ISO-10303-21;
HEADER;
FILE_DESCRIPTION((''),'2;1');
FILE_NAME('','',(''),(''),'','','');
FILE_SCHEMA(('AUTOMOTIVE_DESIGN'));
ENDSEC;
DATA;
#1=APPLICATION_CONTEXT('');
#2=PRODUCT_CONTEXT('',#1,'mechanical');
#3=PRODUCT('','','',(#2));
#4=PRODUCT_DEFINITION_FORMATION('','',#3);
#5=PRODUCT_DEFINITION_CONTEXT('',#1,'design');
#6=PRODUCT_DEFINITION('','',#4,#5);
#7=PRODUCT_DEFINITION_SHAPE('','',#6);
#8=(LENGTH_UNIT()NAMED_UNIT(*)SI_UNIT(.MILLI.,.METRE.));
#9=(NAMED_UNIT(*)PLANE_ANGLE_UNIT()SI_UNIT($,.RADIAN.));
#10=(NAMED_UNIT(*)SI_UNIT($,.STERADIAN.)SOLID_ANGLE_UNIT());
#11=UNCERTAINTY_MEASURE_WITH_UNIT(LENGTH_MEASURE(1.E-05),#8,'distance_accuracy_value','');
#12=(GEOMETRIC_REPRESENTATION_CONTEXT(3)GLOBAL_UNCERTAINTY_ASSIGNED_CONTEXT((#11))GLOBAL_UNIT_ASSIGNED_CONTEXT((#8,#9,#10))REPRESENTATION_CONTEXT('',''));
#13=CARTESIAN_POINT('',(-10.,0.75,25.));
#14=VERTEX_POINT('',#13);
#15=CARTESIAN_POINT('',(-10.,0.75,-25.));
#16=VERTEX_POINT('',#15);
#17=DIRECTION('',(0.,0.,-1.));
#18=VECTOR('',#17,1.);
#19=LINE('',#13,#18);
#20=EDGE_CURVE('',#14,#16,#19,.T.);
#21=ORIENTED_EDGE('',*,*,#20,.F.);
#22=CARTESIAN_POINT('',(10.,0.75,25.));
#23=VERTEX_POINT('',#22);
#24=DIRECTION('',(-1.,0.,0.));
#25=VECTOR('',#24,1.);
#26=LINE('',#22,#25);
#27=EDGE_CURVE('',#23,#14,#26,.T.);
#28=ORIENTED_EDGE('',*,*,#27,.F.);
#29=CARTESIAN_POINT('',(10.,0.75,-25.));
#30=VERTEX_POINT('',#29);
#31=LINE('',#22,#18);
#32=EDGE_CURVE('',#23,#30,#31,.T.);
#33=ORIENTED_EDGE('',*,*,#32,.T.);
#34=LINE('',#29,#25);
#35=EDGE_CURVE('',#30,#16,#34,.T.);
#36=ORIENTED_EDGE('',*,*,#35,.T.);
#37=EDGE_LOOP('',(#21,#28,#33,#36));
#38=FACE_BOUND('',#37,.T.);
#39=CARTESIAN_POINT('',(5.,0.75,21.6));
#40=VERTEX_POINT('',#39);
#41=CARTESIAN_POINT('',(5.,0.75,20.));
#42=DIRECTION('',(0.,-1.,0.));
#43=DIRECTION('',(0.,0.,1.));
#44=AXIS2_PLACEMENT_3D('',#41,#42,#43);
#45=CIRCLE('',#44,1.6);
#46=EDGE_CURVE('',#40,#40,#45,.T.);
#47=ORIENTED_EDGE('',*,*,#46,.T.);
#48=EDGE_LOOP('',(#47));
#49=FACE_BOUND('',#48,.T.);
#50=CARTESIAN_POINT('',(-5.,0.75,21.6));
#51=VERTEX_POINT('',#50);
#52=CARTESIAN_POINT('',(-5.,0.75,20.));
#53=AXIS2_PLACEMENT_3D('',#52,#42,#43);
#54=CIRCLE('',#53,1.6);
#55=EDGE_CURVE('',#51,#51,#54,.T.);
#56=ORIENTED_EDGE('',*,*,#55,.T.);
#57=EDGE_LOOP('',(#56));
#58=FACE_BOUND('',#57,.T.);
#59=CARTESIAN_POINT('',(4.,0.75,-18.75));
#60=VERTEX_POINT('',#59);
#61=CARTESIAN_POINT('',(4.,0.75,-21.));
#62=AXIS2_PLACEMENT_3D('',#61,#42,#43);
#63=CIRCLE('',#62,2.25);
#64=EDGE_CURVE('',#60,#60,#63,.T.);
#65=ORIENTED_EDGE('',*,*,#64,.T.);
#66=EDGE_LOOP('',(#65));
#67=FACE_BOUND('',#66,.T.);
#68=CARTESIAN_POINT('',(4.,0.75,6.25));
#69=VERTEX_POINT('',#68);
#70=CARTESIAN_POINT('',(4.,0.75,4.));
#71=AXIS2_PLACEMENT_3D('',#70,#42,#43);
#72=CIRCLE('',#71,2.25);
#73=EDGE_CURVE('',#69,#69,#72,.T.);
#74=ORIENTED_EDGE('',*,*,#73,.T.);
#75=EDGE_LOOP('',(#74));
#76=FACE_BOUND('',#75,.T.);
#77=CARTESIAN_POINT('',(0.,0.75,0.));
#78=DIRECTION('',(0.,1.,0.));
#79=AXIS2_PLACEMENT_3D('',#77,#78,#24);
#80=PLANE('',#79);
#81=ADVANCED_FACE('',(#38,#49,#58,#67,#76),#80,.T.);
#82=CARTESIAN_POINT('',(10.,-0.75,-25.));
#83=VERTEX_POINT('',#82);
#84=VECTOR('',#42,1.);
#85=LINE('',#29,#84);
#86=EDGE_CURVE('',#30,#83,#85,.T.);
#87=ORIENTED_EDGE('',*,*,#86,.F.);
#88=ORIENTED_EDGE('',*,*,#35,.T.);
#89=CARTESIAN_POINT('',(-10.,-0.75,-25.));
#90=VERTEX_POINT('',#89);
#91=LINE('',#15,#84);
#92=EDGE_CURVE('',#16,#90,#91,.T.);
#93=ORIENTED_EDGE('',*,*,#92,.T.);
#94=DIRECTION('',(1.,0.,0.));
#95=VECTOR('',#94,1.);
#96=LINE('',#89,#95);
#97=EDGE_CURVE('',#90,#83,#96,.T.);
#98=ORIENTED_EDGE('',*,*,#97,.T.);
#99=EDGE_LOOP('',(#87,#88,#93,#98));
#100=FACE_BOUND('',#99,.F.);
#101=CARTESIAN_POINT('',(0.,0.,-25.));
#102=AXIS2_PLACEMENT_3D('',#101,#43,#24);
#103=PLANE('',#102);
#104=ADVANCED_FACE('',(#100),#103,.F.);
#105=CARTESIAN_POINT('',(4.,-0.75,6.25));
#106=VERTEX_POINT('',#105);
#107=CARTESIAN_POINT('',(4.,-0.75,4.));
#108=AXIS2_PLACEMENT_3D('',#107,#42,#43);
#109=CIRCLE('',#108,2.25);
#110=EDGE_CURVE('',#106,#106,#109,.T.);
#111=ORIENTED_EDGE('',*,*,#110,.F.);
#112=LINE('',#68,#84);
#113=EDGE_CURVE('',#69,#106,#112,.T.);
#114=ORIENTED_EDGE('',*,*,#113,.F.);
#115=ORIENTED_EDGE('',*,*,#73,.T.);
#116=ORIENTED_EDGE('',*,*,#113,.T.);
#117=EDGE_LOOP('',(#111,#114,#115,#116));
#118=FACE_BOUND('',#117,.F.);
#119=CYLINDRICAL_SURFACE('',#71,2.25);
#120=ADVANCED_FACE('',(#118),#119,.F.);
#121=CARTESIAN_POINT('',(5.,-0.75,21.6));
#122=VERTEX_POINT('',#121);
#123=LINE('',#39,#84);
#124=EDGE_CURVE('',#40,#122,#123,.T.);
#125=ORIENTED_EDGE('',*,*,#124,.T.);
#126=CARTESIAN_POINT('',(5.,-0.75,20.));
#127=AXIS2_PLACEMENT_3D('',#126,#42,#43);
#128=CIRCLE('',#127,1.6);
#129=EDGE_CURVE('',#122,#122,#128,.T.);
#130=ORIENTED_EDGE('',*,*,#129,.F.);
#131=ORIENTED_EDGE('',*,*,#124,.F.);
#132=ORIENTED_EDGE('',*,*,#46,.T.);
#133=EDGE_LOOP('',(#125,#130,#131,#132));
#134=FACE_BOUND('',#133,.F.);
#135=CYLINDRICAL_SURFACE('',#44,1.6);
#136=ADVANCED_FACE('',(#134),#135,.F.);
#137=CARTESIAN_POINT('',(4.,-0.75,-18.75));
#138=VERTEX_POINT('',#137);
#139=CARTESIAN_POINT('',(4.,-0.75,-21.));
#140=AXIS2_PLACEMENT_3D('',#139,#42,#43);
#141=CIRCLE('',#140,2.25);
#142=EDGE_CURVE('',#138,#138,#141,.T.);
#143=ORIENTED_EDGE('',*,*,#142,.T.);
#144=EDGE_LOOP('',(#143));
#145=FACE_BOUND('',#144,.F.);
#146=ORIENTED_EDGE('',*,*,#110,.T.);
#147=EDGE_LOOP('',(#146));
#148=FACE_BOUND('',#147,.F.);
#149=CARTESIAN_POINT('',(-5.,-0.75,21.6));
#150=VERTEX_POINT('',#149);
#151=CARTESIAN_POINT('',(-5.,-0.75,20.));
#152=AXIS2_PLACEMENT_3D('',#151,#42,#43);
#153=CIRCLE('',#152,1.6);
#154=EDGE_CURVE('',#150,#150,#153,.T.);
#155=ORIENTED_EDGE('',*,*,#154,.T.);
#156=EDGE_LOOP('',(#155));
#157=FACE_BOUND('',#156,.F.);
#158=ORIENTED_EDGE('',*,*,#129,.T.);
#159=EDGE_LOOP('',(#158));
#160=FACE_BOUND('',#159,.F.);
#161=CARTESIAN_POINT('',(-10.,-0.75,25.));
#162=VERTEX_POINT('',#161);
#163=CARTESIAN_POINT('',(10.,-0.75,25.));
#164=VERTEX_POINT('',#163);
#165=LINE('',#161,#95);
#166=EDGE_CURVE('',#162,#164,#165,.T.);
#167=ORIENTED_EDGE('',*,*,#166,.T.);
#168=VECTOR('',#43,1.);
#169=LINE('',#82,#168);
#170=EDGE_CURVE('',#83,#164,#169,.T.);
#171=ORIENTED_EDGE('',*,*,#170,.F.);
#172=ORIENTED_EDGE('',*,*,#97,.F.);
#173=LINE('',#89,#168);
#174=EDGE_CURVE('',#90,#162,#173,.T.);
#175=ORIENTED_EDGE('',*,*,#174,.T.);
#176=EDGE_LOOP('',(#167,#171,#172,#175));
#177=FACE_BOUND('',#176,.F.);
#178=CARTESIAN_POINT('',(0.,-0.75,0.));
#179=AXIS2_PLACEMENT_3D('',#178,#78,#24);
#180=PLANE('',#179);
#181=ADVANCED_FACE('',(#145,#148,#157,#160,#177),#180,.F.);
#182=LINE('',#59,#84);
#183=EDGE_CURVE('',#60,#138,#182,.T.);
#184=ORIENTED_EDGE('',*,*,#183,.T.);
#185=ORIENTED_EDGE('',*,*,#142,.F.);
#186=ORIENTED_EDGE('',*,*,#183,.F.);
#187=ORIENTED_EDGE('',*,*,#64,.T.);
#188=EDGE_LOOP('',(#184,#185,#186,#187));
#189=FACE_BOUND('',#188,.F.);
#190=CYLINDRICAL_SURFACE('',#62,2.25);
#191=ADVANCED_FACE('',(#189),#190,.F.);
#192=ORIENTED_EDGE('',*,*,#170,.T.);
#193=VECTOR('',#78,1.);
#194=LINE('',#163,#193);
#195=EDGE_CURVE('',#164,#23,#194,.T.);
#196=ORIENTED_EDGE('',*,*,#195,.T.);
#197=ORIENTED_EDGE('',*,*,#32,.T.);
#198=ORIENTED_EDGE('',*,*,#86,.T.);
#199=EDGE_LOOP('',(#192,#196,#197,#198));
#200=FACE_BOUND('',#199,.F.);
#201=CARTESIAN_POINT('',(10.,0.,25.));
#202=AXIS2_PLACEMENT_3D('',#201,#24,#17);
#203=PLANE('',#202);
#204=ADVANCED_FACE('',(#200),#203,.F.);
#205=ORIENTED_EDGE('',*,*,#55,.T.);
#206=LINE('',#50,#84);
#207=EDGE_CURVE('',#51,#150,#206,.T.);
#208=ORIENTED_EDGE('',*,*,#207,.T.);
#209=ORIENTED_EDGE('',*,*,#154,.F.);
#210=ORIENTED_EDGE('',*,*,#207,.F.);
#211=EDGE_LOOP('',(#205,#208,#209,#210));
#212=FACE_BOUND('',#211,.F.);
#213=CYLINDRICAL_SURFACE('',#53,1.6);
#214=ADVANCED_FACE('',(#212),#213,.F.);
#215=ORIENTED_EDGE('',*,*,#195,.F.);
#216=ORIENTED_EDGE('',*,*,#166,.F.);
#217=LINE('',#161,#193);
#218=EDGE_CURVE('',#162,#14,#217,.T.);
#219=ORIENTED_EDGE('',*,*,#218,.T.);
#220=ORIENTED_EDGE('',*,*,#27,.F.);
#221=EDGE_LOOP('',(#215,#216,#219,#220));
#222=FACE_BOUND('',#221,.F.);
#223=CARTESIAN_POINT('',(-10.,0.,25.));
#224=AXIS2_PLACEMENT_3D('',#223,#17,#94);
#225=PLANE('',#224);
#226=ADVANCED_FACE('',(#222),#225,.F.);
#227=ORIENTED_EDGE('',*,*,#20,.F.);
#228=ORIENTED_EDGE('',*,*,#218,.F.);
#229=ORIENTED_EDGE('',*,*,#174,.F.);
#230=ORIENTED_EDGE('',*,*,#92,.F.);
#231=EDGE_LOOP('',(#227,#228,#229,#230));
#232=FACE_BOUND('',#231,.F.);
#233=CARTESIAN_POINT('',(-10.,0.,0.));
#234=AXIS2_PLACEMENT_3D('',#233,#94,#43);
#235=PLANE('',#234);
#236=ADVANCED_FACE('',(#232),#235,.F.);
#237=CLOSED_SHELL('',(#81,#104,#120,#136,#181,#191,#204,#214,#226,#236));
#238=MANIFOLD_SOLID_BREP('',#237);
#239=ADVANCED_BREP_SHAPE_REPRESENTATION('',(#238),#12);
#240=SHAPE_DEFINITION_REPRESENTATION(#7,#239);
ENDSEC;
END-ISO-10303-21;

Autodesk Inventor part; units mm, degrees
ref_plane "YZ Plane" through (0, 0, 0) normal (1, 0, 0) x (0, 1, 0)
ref_plane "XZ Plane" through (0, 0, 0) normal (0, 1, 0) x (-1, 0, 0)
ref_plane "XY Plane" through (0, 0, 0) normal (0, 0, 1) x (1, 0, 0)
sketch "Náčrt1" plane through (0, 0, 0) normal (0, 1, 0) x (-1, 0, 0)
  line L0 (10, 25) -> (-10, 25)
  line L1 (-10, 25) -> (-10, -25)
  line L2 (-10, -25) -> (10, -25)
  line L3 (10, -25) -> (10, 25)
  line L4 (0, -35) -> (0, 35) projected
  line L5 (-14, 0) -> (14, 0) projected
  point P0 (0, 0)
  dimension "d0" = 50
  dimension "d1" = 20
extrude "Vysunutí1" add sketch "Náčrt1" along normal mid plane 1.5
sketch "Náčrt2" plane through (0, 0.75, 0) normal (0, 1, 0) x (1, 0, 0)
  line L0 (-10, -25) -> (10, -25) projected
  line L1 (10, -25) -> (10, 25) projected
  line L2 (10, 25) -> (-10, 25) projected
  point P0 (0, 0)
  point P1 (5, -20)
  point P2 (-5, -20)
  dimension "d4" = 5
  dimension "d5" = 5
  dimension "d6" = 10
  dimension "d7" = 5
hole "Díra1" at (5, 0.75, 20) at (-5, 0.75, 20) direction (0, -1, 0) diameter 3.2 end through all
sketch "Náčrt3" plane through (0, 0.75, 0) normal (0, 1, 0) x (1, 0, 0)
  circle A0 centre (-5, -20) radius 1.6 projected
  circle A1 centre (5, -20) radius 1.6 projected
  line L0 (10, -25) -> (10, 25) projected
  line L1 (10, 25) -> (-10, 25) projected
  line L2 (-10, 25) -> (-10, -25) projected
  line L3 (-10, -25) -> (10, -25) projected
  point P0 (0, 0)
  point P1 (4, -4)
  point P2 (4, 21)
  dimension "d19" = 4
  dimension "d20" = 6
  dimension "d21" = 6
  dimension "d22" = 25
hole "Díra2" at (4, 0.75, 4) at (4, 0.75, -21) direction (0, -1, 0) diameter 4.5 end through all
properties part number "y_anchor_holder" material "Hliník 6061"
